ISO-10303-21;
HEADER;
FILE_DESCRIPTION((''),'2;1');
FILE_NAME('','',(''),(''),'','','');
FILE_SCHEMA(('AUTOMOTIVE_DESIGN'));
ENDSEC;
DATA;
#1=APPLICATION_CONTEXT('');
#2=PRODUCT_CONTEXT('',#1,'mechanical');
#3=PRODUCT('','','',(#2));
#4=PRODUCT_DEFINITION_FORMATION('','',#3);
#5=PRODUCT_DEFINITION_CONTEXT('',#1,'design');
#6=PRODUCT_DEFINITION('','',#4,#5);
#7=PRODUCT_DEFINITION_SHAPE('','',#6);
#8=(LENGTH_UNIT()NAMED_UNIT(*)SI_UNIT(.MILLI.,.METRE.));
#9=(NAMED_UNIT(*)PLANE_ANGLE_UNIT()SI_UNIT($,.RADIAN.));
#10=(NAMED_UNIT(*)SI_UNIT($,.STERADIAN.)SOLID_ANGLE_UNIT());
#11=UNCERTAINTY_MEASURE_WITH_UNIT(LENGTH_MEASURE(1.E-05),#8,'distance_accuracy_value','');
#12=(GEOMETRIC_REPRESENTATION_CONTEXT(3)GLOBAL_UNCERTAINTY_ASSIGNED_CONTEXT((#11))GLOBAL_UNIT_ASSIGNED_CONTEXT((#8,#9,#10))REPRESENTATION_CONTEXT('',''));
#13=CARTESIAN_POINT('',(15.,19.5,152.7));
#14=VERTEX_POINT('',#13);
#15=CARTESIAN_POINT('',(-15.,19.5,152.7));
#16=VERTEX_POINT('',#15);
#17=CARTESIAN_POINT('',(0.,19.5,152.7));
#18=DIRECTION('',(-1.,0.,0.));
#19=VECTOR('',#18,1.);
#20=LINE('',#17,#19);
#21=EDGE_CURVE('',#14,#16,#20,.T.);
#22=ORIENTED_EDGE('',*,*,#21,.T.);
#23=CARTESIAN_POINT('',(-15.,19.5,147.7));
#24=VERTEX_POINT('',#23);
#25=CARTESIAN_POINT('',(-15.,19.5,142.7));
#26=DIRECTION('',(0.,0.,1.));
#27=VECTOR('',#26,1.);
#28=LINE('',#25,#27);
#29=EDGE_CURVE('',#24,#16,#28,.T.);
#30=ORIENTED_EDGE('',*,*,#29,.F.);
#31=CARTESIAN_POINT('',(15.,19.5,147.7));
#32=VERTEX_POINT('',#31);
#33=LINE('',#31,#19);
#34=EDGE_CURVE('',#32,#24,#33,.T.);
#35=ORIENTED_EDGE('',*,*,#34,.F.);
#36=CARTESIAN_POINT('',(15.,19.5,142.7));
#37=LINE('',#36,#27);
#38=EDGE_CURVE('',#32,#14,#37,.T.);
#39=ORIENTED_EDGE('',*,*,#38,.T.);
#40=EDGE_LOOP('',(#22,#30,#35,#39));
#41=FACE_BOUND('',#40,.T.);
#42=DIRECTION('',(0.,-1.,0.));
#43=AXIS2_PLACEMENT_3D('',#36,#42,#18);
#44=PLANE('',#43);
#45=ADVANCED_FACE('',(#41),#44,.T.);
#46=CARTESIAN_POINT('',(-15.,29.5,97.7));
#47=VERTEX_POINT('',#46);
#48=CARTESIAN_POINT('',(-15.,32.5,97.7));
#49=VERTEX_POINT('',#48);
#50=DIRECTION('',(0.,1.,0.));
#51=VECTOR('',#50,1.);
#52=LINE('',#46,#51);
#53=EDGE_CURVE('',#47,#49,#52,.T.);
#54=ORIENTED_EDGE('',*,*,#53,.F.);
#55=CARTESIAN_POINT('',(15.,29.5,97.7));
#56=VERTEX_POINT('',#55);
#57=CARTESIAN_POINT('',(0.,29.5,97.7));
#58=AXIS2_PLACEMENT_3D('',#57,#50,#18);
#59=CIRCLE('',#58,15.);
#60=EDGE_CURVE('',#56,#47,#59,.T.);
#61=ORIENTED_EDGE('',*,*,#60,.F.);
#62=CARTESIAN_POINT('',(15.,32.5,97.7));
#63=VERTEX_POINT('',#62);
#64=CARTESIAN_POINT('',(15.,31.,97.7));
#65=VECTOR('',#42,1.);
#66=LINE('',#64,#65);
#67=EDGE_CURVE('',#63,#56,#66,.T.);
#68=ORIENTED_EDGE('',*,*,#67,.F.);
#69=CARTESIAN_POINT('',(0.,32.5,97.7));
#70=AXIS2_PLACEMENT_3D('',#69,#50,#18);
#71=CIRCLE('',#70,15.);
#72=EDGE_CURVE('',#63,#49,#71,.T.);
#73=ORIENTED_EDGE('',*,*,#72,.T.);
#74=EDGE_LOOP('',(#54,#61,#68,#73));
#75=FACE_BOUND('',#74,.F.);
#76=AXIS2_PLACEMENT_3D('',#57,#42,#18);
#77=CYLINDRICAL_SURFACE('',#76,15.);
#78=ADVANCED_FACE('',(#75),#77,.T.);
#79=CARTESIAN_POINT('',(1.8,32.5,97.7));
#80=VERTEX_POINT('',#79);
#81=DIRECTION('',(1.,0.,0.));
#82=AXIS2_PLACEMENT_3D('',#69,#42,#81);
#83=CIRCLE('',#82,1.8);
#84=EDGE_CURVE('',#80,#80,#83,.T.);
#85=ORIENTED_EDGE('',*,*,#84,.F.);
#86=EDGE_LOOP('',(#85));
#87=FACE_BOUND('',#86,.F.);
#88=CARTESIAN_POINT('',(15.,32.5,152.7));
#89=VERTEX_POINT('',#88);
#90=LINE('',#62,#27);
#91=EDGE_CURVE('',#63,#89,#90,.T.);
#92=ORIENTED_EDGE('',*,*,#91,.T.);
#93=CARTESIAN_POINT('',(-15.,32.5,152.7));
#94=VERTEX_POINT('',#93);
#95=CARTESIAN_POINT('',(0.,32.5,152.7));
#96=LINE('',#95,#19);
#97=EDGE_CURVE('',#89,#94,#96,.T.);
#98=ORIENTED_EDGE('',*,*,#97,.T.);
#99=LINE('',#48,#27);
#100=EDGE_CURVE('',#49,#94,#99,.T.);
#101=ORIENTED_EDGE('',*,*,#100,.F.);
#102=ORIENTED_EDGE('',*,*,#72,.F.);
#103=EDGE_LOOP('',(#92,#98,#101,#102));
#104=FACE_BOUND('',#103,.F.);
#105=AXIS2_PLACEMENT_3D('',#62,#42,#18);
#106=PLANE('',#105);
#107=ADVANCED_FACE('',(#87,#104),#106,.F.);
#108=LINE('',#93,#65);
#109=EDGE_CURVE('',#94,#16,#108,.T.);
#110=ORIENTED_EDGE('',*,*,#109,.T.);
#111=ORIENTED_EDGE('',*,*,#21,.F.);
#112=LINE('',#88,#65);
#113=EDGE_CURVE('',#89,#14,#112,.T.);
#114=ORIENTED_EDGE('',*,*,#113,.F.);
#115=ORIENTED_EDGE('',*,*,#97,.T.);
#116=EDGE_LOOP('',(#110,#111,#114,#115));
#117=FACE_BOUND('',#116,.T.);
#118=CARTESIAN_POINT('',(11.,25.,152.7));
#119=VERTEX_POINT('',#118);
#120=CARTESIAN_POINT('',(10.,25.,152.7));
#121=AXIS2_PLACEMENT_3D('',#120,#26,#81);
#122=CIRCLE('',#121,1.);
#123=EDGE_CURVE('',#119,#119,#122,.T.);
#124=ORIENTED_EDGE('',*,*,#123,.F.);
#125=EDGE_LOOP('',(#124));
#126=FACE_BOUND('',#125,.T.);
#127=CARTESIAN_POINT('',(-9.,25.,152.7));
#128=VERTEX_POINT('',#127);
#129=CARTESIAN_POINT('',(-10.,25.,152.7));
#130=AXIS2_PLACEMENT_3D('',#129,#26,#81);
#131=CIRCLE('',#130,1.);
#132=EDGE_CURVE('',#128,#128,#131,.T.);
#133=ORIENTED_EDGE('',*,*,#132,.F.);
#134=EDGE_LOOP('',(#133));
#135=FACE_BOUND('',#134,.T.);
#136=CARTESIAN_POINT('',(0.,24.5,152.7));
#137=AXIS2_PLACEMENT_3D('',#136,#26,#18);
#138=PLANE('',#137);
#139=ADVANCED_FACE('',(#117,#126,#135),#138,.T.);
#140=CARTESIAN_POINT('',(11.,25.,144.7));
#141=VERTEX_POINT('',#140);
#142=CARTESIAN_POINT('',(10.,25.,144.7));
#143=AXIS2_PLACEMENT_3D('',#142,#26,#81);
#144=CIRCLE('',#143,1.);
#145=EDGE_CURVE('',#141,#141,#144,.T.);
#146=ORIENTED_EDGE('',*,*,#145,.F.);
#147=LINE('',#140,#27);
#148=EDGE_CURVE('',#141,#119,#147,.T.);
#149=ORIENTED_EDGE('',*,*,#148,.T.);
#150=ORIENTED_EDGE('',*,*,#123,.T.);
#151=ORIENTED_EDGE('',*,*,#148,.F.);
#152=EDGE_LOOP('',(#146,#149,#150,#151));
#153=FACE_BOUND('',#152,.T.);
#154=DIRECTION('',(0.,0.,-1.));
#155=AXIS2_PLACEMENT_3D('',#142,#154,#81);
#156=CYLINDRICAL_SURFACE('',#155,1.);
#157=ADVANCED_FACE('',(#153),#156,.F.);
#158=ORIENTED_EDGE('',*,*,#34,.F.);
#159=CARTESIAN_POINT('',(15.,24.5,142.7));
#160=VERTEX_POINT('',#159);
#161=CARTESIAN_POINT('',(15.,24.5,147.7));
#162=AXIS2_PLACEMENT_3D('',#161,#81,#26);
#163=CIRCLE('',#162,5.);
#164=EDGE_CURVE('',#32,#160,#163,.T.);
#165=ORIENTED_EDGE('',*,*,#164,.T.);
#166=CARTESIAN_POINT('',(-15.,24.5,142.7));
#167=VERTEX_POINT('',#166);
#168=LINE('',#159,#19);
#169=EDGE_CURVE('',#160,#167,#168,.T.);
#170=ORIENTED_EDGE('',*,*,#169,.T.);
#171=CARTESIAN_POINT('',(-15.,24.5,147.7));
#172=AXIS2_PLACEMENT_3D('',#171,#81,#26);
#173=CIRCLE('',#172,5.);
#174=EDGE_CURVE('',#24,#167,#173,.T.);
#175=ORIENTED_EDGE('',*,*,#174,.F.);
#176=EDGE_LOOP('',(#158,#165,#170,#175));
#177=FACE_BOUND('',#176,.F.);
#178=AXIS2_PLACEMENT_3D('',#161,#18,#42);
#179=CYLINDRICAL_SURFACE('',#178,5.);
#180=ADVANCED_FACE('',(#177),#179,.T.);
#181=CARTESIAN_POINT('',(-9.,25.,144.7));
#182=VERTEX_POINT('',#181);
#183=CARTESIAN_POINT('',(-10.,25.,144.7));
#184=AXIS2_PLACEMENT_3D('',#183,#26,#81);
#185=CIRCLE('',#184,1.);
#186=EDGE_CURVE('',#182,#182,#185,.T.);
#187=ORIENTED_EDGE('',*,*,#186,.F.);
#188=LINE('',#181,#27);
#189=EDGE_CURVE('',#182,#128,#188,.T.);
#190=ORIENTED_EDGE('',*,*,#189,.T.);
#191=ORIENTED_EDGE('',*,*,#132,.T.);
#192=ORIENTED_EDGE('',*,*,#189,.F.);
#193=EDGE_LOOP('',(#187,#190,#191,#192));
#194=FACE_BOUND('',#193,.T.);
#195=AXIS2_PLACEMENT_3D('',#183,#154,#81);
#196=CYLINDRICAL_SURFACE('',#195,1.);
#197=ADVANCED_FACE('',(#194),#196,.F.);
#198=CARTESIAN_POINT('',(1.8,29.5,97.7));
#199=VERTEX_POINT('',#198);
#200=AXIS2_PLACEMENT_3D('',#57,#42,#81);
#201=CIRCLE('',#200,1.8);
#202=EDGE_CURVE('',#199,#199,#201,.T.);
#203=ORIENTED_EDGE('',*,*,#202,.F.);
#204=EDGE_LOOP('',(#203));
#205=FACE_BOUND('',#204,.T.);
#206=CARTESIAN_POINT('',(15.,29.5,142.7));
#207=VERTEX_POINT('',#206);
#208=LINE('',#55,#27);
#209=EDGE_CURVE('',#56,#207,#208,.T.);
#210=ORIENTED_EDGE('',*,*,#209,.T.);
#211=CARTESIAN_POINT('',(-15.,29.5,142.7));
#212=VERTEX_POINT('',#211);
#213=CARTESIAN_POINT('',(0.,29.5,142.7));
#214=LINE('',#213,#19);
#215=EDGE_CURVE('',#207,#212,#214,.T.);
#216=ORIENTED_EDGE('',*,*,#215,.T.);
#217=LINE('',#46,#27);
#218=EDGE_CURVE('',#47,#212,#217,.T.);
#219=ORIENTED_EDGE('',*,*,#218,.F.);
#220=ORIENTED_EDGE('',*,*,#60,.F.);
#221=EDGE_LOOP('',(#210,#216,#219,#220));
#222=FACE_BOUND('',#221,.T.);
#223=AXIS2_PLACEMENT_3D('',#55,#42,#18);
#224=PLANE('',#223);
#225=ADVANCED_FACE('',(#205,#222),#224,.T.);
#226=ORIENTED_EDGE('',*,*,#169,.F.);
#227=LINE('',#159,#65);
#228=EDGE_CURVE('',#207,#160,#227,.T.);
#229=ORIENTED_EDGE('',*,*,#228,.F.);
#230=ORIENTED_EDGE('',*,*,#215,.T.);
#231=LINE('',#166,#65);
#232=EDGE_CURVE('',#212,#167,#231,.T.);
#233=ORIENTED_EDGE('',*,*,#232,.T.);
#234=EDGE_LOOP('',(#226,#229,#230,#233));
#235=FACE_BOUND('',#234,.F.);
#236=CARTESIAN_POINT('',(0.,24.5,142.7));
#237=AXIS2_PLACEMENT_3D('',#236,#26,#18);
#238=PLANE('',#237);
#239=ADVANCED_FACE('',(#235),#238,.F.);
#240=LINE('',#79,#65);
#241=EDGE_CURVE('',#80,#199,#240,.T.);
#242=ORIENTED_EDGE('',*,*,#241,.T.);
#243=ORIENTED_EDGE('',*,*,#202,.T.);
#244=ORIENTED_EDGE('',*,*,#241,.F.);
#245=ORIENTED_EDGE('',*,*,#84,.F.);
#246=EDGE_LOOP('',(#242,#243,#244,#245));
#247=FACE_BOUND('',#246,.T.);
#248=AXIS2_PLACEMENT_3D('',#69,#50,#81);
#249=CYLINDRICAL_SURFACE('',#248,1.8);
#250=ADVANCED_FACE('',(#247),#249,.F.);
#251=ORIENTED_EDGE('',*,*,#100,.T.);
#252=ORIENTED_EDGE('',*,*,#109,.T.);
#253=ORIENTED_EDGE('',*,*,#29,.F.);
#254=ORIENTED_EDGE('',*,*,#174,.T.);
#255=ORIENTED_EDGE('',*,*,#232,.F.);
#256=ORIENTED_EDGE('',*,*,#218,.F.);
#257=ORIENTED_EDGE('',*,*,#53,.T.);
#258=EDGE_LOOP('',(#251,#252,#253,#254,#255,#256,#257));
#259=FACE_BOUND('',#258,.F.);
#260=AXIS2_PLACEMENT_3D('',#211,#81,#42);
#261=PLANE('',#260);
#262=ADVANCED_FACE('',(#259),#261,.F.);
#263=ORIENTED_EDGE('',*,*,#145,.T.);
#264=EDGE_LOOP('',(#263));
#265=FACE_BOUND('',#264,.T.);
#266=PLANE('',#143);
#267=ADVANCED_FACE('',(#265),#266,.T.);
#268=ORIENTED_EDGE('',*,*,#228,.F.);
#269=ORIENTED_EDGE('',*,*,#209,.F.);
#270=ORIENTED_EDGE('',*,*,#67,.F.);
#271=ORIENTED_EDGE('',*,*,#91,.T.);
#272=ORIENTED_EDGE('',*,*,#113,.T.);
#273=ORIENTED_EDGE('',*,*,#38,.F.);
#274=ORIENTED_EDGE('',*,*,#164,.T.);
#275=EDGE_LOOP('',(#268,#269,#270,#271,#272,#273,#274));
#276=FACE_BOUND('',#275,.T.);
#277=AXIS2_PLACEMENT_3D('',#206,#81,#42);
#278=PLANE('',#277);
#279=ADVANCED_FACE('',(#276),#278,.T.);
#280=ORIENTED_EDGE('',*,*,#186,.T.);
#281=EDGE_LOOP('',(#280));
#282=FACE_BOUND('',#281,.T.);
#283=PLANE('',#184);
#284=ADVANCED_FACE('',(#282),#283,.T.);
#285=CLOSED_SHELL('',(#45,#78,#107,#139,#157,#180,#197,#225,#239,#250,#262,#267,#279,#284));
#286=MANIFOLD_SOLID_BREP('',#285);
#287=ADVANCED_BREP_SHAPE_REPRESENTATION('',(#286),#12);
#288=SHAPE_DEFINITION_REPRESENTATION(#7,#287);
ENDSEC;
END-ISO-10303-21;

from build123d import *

# Parameters (mm, degrees)
CYLINDER046_R             = 1
CYLINDER046_DEPTH         = 8
CYLINDER045_R             = 1
CYLINDER045_DEPTH         = 8
CYLINDER044_R             = 1.8
CYLINDER044_DEPTH         = 3
BOX006_W                  = 30
BOX006_H                  = 3
BOX006_DEPTH              = 55
BOX007_W                  = 30
BOX007_H                  = 10
BOX007_DEPTH              = 10
FILLET005_R               = 5
CYLINDER043_R             = 15
CYLINDER043_DEPTH         = 3
FUSION016_PLACEMENT_ANGLE = 180


with BuildPart() as arm_support_payload_plate_screw002:
    # Cylinder046 → Cylinder046 (new body)
    with BuildSketch(Plane(origin=(-10, 25, 144.7), x_dir=(1, 0, 0), z_dir=(0, 0, 1))):
        Circle(CYLINDER046_R)
    extrude(amount=CYLINDER046_DEPTH)


with BuildPart() as arm_support_payload_plate_screw001:
    # Cylinder045 → Cylinder045 (new body)
    with BuildSketch(Plane(origin=(10, 25, 144.7), x_dir=(1, 0, 0), z_dir=(0, 0, 1))):
        Circle(CYLINDER045_R)
    extrude(amount=CYLINDER045_DEPTH)


with BuildPart() as arm_support_screw_and_axis_holes:
    # Cylinder044 → Cylinder044 (new body)
    with BuildSketch(Plane(origin=(0, 32.5, 97.7), x_dir=(1, 0, 0), z_dir=(0, -1, 0))):
        Circle(CYLINDER044_R)
    extrude(amount=CYLINDER044_DEPTH)

    # Compound004: union arm-support-payload-plate-screw002, arm-support-payload-plate-screw001
    add(arm_support_payload_plate_screw002.part)
    add(arm_support_payload_plate_screw001.part)


with BuildPart() as arm_support:
    # Box006 → Box006 (new body)
    with BuildSketch(Plane(origin=(-15, -40.5, 97.7), x_dir=(1, 0, 0), z_dir=(0, 0, 1))):
        with Locations((15, 1.5)):
            Rectangle(BOX006_W, BOX006_H)
    extrude(amount=BOX006_DEPTH)


with BuildPart() as arm_screw_block_with_fillet001:
    # Box007 → Box007 (new body)
    with BuildSketch(Plane(origin=(-15, -37.5, 142.7), x_dir=(1, 0, 0), z_dir=(0, 0, 1))):
        with Locations((15, 5)):
            Rectangle(BOX007_W, BOX007_H)
    extrude(amount=BOX007_DEPTH)

    # Fillet005
    fillet005_edges = [arm_screw_block_with_fillet001.edges().sort_by_distance(p)[0] for p in [
        (0, -27.5, 142.7),
    ]]
    fillet(fillet005_edges, radius=FILLET005_R)


with BuildPart() as support_arm:
    # Cylinder043 → Cylinder043 (new body)
    with BuildSketch(Plane(origin=(0, -37.5, 97.7), x_dir=(1, 0, 0), z_dir=(0, -1, 0))):
        Circle(CYLINDER043_R)
    extrude(amount=CYLINDER043_DEPTH)

    # Fusion016: union arm-support, arm-screw-block-with-fillet001
    add(arm_support.part)
    add(arm_screw_block_with_fillet001.part)


with BuildPart() as support_arm_1:
    # Fusion016 placement: moved
    add(support_arm.part.moved(Location((0, -8, 0))).rotate(Axis((0, -8, 0), (0, 0, 1)), FUSION016_PLACEMENT_ANGLE))

    # Cut029: cut arm-support-screw-and-axis-holes
    add(arm_support_screw_and_axis_holes.part, mode=Mode.SUBTRACT)


solid = support_arm_1.part
